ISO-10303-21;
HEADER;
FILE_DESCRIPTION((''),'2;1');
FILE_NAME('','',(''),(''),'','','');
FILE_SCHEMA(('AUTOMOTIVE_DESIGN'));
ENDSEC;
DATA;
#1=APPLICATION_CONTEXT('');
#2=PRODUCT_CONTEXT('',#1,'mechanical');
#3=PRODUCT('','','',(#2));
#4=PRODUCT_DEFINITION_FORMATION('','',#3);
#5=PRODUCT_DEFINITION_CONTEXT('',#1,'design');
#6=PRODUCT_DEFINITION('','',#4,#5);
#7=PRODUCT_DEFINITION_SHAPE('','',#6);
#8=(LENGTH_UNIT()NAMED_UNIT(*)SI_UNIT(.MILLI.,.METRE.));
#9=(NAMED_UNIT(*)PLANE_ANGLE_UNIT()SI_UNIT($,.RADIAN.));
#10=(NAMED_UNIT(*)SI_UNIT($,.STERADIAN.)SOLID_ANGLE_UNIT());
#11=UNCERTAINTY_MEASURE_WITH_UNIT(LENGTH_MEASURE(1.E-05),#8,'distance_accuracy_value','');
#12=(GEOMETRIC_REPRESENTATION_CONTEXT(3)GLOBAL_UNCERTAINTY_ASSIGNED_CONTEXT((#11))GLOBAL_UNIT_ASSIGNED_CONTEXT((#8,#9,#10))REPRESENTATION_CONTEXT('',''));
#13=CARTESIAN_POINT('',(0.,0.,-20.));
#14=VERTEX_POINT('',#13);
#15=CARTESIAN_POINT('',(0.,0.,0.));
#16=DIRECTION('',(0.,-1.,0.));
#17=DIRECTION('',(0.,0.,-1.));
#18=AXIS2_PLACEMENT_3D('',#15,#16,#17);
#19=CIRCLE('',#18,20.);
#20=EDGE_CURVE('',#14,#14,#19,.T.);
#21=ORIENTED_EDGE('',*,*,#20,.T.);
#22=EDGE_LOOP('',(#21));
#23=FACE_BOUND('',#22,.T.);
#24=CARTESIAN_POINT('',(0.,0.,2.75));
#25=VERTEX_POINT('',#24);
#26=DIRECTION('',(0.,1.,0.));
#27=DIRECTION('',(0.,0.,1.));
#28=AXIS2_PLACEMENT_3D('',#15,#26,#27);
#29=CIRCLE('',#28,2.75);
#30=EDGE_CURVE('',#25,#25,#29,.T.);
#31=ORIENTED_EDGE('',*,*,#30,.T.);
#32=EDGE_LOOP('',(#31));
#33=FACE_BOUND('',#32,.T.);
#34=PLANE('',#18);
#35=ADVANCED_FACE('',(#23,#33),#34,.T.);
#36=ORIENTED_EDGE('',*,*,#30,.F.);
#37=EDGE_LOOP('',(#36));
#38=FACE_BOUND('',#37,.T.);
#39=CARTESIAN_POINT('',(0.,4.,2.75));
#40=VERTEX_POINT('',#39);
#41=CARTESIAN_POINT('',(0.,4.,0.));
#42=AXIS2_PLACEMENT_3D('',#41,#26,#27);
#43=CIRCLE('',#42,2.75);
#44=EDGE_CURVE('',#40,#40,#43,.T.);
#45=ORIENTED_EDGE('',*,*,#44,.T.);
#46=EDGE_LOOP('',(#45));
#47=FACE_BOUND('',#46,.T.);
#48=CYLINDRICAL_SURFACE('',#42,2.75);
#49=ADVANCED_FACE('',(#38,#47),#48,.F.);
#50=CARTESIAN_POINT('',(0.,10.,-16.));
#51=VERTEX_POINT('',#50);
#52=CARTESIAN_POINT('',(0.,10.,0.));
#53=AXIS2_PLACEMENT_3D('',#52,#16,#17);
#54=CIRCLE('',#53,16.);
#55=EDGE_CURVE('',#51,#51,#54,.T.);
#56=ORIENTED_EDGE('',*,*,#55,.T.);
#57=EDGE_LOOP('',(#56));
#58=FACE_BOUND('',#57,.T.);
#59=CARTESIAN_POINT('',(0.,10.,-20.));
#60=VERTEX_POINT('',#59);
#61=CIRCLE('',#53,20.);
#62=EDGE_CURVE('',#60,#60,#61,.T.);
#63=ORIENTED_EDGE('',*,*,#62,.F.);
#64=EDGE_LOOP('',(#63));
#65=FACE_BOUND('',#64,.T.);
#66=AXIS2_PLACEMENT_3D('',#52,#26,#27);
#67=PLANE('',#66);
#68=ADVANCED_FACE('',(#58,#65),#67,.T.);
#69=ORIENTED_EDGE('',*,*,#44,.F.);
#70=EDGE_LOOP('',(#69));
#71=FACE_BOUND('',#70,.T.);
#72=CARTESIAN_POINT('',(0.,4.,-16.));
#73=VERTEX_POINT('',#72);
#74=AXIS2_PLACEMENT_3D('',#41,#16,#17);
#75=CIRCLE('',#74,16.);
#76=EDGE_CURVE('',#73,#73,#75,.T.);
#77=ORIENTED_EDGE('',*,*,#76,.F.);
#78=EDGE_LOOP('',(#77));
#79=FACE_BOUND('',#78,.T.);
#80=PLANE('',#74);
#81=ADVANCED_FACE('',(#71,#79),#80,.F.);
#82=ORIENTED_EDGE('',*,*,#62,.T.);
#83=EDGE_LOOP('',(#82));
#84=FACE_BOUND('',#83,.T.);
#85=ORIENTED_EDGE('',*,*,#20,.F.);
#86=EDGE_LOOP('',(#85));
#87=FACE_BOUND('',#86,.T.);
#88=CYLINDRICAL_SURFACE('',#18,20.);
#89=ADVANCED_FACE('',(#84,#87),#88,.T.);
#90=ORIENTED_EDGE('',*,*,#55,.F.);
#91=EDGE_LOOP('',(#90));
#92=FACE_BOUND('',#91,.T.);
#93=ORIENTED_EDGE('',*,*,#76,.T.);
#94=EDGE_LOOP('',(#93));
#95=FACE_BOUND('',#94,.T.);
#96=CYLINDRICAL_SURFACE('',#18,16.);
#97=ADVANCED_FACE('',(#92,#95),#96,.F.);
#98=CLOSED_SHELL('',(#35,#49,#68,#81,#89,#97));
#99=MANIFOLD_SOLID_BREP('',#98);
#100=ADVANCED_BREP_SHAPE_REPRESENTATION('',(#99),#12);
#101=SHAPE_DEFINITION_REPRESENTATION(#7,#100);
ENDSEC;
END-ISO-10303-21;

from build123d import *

# Parameters (mm, degrees)
SKETCH1_W            = 16
SKETCH1_H            = 4
M5_CLEARANCE_HOLE1_D = 5.5


with BuildPart() as part:
    # Sketch1 → Revolve1 (revolve)
    with BuildSketch(Plane.XY, mode=Mode.PRIVATE) as revolve1_sk:
        with Locations((-8, 2)):
            Rectangle(SKETCH1_W, SKETCH1_H)
        Polygon((-20, 0), (-16, 0), (-16, 4), (-16, 10), (-20, 10), align=None)
    revolve(revolve1_sk.sketch.rotate(Axis((0, 0, 0), (0, 1, 0)), 270), axis=Axis((0, 0, 0), (0, 1, 0)))

    # M5 Clearance Hole1 (through all)
    with Locations(Plane(origin=(0, 4, 0), x_dir=(1, 0, 0), z_dir=(0, 1, 0))):
        with Locations((0, 0)):
            Hole(M5_CLEARANCE_HOLE1_D / 2)


solid = part.part
